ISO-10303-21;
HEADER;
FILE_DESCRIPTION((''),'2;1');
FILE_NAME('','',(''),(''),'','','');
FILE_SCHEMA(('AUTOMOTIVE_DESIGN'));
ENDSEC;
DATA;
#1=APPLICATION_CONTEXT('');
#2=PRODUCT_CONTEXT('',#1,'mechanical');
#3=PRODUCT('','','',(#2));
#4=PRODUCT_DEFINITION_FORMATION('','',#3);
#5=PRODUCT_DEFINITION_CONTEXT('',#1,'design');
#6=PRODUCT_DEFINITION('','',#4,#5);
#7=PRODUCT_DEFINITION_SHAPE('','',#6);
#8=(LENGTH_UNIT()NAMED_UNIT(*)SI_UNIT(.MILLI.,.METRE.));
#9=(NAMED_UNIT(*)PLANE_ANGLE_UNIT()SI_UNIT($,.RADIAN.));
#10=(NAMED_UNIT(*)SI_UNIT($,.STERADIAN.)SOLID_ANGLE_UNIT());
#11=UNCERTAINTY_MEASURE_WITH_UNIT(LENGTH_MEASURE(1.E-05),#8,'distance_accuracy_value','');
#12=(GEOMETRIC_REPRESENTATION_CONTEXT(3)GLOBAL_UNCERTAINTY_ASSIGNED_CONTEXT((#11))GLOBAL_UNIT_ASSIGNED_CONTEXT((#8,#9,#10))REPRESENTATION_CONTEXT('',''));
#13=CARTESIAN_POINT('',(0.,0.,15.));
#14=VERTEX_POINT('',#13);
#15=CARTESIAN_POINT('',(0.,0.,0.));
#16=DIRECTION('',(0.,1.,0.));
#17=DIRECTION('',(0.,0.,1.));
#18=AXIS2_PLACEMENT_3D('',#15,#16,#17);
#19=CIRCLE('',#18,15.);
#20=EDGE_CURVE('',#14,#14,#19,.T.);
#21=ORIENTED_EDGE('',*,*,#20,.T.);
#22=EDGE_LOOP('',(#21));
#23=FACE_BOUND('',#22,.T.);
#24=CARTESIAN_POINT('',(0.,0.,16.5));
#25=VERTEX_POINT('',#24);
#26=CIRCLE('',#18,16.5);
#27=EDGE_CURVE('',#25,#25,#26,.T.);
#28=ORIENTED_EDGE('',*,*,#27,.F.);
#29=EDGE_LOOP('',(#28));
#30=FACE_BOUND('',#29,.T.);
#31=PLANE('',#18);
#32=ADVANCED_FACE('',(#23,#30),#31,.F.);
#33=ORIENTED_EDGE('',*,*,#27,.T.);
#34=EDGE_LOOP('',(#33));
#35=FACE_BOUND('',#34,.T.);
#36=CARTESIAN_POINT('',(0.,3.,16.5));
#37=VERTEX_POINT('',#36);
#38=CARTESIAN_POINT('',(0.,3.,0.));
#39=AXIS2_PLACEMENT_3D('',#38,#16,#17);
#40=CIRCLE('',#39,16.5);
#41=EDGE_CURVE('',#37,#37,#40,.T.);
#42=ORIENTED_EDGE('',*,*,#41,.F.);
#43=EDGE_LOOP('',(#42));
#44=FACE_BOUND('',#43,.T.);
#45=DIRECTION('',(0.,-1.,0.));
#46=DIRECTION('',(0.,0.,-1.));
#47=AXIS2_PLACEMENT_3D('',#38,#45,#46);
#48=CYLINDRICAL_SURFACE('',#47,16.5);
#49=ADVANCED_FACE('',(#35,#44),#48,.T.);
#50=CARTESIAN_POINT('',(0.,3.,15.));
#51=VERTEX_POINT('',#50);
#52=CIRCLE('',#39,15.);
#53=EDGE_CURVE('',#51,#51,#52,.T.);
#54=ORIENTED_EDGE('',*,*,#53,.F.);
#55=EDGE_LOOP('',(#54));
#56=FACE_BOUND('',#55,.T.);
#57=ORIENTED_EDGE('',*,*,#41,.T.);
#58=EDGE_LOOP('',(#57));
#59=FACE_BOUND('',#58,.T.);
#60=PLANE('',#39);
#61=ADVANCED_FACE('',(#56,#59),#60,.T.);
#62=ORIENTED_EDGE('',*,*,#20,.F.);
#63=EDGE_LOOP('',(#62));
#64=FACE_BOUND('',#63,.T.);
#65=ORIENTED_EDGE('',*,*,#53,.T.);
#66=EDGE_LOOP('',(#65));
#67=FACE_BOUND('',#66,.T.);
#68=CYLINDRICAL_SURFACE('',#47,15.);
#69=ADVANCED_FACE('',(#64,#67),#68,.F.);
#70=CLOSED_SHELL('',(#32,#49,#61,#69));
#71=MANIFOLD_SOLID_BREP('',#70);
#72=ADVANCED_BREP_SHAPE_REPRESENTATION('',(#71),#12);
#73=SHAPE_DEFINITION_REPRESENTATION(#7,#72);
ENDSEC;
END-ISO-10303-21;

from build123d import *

# Parameters (mm, degrees)
SKETCH_1_R      = 16.5
SKETCH_1_R_2    = 15
EXTRUDE_1_DEPTH = 3


with BuildPart() as part:
    # Эскиз1 → Бобышка-Вытянуть1 (new body)
    with BuildSketch(Plane(origin=(0, 0, 0), x_dir=(1, 0, 0), z_dir=(0, 1, 0))):
        with Locations(Location((0, 0, 0), (0, 0, 270))):
            Circle(SKETCH_1_R)
        with Locations(Location((0, 0, 0), (0, 0, 270))):
            Circle(SKETCH_1_R_2, mode=Mode.SUBTRACT)
    extrude(amount=EXTRUDE_1_DEPTH)


solid = part.part
